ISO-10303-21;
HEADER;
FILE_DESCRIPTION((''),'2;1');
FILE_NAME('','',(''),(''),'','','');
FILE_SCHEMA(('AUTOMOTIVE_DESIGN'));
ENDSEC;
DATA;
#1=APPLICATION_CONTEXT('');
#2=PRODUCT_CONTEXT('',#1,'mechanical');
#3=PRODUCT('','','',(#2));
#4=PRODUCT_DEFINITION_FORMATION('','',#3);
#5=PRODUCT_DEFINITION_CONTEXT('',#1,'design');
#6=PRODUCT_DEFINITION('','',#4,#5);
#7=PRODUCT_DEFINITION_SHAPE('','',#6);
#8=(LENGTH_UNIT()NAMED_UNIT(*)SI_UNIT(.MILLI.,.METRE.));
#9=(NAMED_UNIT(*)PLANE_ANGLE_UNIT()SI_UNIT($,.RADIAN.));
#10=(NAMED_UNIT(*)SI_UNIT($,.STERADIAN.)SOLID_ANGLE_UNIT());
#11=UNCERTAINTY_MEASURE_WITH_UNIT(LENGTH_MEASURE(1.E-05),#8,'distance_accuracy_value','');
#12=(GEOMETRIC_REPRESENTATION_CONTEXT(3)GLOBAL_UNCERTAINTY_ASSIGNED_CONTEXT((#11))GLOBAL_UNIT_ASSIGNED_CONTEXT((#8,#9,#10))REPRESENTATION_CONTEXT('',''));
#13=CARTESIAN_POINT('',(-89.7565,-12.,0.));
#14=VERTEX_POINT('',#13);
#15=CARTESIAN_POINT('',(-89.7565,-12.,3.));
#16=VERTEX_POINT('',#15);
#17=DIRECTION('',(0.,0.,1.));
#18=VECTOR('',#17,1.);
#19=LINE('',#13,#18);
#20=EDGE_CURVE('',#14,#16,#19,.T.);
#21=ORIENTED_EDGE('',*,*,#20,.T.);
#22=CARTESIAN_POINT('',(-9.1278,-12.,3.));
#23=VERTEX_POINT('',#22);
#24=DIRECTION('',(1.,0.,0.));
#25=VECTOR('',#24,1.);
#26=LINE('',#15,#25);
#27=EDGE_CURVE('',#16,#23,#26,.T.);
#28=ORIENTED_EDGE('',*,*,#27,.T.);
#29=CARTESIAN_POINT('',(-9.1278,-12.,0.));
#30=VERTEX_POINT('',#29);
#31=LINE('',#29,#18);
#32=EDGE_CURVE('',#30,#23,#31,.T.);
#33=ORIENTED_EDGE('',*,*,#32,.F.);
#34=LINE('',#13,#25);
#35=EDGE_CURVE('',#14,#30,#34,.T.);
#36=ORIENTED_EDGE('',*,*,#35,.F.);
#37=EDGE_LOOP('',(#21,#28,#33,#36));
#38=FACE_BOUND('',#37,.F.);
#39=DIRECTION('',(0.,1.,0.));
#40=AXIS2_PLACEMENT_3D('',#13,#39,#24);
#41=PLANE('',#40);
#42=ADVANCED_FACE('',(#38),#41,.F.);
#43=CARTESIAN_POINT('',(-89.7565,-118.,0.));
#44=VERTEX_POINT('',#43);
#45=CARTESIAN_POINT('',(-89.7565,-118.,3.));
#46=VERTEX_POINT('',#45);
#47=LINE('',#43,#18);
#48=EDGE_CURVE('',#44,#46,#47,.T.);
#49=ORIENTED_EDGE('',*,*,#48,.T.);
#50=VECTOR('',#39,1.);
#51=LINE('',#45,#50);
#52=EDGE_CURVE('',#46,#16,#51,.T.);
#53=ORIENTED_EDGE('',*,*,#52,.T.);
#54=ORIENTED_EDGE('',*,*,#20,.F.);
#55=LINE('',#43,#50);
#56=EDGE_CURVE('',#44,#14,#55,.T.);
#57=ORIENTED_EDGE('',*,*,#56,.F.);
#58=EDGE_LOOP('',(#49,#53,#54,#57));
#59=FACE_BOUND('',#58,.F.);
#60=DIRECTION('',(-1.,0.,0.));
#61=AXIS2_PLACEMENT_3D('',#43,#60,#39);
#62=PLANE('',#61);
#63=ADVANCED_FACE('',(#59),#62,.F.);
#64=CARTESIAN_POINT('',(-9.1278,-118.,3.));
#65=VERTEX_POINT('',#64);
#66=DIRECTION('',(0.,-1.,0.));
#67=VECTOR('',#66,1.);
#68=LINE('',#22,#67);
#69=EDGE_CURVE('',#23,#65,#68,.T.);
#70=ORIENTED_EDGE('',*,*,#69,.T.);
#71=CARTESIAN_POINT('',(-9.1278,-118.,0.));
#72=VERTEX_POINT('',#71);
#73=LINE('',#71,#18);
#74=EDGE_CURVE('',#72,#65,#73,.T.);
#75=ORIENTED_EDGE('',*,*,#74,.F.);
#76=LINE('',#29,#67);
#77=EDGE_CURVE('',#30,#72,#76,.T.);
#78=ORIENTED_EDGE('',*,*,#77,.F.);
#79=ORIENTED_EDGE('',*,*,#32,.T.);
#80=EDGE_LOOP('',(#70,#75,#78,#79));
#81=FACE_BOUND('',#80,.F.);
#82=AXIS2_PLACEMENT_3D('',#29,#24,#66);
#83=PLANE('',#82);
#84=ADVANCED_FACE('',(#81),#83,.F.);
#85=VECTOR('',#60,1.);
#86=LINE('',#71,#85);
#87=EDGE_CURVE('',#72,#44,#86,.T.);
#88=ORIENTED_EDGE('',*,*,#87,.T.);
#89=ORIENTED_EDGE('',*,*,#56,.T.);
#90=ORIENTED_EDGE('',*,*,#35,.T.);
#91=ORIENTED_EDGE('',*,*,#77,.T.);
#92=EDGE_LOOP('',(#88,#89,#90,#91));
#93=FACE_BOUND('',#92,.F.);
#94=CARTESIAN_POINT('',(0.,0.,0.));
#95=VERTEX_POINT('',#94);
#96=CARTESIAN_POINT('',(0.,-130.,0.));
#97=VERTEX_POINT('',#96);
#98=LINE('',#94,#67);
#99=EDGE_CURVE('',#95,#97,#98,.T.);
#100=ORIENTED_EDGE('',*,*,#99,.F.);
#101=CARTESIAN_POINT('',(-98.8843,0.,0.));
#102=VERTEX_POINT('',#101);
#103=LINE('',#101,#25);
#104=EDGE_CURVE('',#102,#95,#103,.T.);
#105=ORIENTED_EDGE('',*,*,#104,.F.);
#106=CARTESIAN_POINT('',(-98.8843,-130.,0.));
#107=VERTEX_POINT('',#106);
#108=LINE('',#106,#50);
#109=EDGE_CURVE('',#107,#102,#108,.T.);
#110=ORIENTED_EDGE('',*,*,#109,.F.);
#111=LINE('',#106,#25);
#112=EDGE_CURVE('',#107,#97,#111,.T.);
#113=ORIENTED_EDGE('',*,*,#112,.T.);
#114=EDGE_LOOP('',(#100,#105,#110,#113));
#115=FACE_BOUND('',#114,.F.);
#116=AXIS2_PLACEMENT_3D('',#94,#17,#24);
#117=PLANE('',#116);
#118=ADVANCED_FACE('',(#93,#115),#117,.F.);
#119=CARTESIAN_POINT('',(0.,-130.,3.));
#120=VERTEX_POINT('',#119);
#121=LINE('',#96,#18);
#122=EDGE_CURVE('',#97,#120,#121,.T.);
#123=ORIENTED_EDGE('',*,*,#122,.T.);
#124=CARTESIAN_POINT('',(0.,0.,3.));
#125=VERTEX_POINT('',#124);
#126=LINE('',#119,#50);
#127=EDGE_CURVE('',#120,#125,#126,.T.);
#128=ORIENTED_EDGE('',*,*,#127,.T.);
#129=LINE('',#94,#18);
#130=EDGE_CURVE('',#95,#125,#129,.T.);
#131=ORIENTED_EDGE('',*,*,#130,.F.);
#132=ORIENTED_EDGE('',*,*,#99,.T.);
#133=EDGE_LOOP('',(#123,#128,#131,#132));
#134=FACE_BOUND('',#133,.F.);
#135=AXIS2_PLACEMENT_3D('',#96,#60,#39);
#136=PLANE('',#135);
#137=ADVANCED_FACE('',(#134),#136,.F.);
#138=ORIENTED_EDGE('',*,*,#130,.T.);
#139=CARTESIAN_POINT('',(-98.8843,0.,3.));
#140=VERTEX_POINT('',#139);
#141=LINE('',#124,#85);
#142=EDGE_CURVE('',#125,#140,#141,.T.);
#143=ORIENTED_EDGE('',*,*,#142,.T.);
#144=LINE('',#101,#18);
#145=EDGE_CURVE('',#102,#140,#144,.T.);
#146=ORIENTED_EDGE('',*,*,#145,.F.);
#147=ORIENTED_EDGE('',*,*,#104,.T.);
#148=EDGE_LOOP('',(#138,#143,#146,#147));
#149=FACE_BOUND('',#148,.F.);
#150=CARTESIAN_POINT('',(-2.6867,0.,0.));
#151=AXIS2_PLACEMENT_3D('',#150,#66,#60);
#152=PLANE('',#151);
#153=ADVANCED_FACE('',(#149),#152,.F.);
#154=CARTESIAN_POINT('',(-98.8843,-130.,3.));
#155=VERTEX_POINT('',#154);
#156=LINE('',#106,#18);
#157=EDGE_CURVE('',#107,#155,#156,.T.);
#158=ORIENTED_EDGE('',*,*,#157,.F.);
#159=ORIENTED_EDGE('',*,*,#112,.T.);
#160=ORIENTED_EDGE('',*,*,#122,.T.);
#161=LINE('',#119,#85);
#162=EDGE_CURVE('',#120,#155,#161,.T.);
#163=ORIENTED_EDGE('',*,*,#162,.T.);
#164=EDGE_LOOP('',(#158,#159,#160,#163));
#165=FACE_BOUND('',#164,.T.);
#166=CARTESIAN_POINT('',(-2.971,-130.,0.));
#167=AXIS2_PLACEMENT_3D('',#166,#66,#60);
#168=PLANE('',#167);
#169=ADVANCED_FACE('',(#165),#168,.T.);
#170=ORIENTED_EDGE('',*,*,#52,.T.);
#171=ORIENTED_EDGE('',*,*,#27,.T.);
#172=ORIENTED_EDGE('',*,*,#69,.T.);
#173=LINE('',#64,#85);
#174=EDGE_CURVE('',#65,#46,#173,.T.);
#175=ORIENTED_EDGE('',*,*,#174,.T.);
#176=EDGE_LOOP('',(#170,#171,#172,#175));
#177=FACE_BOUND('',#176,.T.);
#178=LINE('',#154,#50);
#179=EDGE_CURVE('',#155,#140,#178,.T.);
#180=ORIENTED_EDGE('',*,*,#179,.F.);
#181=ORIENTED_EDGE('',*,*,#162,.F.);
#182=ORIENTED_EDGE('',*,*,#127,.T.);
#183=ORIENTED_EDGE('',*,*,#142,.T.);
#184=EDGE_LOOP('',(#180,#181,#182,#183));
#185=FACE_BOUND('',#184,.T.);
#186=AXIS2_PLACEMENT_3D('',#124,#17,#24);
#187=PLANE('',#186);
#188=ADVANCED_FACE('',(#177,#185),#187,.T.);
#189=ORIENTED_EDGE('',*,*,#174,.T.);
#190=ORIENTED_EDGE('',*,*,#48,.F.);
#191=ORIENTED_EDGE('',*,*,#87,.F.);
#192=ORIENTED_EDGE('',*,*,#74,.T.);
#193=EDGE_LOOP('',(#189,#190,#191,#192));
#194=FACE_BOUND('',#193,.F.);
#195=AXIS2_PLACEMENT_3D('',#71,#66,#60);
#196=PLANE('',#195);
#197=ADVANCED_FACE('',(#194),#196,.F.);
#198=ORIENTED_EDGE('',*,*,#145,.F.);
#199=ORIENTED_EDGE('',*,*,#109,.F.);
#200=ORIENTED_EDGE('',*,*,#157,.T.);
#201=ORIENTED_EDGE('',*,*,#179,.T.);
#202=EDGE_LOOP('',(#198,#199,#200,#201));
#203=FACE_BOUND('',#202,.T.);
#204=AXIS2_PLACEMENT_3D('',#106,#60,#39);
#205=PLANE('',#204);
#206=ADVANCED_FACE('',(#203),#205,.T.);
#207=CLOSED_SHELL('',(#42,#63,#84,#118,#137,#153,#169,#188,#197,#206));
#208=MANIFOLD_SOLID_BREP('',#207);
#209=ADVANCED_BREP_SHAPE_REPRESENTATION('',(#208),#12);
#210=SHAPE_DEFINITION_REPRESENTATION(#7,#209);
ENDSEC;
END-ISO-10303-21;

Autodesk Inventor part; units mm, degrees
ref_plane "YZ Plane" through (0, 0, 0) normal (1, 0, 0) x (0, 1, 0)
ref_plane "XZ Plane" through (0, 0, 0) normal (0, 1, 0) x (-1, 0, 0)
ref_plane "XY Plane" through (0, 0, 0) normal (0, 0, 1) x (1, 0, 0)
sketch "Boceto1" plane through (0, 0, 0) normal (0, 0, 1) x (1, 0, 0)
  line L0 (-2.971, -130) -> (-104.8493, -130) projected
  line L1 (-2.6867, 0) -> (-104.8493, 0) projected
  line L2 (0, 0) -> (0, -127) projected
  line L3 (0, -130) -> (0, -127) projected
  line L4 (5.5477, -130) -> (-2.971, -130) projected
  line L5 (5.5477, 0) -> (-2.6867, 0) projected
  line L6 (-98.8843, -130) -> (-98.8843, 0)
  line L7 (-98.8843, -130) -> (0, 0)
  line L8 (-98.8843, 0) -> (0, -130)
  line L9 (-9.1278, -118) -> (-89.7565, -118)
  line L10 (-89.7565, -118) -> (-89.7565, -12)
  line L11 (-89.7565, -12) -> (-9.1278, -12)
  line L12 (-9.1278, -12) -> (-9.1278, -118)
  line L13 (-9.1278, -118) -> (-89.7565, -12) construction
  line L14 (-89.7565, -118) -> (-9.1278, -12) construction
  point P0 (-49.4421, -65)
  dimension "d2" = 12
extrude "Extrusión1" add sketch "Boceto1" along normal blind 3 contours L0 L7 L9 L8 L4 | L6 L8 L10 L7 | L8 L12 L7 L2 L3 | L1 L5 L7 L11 L8
